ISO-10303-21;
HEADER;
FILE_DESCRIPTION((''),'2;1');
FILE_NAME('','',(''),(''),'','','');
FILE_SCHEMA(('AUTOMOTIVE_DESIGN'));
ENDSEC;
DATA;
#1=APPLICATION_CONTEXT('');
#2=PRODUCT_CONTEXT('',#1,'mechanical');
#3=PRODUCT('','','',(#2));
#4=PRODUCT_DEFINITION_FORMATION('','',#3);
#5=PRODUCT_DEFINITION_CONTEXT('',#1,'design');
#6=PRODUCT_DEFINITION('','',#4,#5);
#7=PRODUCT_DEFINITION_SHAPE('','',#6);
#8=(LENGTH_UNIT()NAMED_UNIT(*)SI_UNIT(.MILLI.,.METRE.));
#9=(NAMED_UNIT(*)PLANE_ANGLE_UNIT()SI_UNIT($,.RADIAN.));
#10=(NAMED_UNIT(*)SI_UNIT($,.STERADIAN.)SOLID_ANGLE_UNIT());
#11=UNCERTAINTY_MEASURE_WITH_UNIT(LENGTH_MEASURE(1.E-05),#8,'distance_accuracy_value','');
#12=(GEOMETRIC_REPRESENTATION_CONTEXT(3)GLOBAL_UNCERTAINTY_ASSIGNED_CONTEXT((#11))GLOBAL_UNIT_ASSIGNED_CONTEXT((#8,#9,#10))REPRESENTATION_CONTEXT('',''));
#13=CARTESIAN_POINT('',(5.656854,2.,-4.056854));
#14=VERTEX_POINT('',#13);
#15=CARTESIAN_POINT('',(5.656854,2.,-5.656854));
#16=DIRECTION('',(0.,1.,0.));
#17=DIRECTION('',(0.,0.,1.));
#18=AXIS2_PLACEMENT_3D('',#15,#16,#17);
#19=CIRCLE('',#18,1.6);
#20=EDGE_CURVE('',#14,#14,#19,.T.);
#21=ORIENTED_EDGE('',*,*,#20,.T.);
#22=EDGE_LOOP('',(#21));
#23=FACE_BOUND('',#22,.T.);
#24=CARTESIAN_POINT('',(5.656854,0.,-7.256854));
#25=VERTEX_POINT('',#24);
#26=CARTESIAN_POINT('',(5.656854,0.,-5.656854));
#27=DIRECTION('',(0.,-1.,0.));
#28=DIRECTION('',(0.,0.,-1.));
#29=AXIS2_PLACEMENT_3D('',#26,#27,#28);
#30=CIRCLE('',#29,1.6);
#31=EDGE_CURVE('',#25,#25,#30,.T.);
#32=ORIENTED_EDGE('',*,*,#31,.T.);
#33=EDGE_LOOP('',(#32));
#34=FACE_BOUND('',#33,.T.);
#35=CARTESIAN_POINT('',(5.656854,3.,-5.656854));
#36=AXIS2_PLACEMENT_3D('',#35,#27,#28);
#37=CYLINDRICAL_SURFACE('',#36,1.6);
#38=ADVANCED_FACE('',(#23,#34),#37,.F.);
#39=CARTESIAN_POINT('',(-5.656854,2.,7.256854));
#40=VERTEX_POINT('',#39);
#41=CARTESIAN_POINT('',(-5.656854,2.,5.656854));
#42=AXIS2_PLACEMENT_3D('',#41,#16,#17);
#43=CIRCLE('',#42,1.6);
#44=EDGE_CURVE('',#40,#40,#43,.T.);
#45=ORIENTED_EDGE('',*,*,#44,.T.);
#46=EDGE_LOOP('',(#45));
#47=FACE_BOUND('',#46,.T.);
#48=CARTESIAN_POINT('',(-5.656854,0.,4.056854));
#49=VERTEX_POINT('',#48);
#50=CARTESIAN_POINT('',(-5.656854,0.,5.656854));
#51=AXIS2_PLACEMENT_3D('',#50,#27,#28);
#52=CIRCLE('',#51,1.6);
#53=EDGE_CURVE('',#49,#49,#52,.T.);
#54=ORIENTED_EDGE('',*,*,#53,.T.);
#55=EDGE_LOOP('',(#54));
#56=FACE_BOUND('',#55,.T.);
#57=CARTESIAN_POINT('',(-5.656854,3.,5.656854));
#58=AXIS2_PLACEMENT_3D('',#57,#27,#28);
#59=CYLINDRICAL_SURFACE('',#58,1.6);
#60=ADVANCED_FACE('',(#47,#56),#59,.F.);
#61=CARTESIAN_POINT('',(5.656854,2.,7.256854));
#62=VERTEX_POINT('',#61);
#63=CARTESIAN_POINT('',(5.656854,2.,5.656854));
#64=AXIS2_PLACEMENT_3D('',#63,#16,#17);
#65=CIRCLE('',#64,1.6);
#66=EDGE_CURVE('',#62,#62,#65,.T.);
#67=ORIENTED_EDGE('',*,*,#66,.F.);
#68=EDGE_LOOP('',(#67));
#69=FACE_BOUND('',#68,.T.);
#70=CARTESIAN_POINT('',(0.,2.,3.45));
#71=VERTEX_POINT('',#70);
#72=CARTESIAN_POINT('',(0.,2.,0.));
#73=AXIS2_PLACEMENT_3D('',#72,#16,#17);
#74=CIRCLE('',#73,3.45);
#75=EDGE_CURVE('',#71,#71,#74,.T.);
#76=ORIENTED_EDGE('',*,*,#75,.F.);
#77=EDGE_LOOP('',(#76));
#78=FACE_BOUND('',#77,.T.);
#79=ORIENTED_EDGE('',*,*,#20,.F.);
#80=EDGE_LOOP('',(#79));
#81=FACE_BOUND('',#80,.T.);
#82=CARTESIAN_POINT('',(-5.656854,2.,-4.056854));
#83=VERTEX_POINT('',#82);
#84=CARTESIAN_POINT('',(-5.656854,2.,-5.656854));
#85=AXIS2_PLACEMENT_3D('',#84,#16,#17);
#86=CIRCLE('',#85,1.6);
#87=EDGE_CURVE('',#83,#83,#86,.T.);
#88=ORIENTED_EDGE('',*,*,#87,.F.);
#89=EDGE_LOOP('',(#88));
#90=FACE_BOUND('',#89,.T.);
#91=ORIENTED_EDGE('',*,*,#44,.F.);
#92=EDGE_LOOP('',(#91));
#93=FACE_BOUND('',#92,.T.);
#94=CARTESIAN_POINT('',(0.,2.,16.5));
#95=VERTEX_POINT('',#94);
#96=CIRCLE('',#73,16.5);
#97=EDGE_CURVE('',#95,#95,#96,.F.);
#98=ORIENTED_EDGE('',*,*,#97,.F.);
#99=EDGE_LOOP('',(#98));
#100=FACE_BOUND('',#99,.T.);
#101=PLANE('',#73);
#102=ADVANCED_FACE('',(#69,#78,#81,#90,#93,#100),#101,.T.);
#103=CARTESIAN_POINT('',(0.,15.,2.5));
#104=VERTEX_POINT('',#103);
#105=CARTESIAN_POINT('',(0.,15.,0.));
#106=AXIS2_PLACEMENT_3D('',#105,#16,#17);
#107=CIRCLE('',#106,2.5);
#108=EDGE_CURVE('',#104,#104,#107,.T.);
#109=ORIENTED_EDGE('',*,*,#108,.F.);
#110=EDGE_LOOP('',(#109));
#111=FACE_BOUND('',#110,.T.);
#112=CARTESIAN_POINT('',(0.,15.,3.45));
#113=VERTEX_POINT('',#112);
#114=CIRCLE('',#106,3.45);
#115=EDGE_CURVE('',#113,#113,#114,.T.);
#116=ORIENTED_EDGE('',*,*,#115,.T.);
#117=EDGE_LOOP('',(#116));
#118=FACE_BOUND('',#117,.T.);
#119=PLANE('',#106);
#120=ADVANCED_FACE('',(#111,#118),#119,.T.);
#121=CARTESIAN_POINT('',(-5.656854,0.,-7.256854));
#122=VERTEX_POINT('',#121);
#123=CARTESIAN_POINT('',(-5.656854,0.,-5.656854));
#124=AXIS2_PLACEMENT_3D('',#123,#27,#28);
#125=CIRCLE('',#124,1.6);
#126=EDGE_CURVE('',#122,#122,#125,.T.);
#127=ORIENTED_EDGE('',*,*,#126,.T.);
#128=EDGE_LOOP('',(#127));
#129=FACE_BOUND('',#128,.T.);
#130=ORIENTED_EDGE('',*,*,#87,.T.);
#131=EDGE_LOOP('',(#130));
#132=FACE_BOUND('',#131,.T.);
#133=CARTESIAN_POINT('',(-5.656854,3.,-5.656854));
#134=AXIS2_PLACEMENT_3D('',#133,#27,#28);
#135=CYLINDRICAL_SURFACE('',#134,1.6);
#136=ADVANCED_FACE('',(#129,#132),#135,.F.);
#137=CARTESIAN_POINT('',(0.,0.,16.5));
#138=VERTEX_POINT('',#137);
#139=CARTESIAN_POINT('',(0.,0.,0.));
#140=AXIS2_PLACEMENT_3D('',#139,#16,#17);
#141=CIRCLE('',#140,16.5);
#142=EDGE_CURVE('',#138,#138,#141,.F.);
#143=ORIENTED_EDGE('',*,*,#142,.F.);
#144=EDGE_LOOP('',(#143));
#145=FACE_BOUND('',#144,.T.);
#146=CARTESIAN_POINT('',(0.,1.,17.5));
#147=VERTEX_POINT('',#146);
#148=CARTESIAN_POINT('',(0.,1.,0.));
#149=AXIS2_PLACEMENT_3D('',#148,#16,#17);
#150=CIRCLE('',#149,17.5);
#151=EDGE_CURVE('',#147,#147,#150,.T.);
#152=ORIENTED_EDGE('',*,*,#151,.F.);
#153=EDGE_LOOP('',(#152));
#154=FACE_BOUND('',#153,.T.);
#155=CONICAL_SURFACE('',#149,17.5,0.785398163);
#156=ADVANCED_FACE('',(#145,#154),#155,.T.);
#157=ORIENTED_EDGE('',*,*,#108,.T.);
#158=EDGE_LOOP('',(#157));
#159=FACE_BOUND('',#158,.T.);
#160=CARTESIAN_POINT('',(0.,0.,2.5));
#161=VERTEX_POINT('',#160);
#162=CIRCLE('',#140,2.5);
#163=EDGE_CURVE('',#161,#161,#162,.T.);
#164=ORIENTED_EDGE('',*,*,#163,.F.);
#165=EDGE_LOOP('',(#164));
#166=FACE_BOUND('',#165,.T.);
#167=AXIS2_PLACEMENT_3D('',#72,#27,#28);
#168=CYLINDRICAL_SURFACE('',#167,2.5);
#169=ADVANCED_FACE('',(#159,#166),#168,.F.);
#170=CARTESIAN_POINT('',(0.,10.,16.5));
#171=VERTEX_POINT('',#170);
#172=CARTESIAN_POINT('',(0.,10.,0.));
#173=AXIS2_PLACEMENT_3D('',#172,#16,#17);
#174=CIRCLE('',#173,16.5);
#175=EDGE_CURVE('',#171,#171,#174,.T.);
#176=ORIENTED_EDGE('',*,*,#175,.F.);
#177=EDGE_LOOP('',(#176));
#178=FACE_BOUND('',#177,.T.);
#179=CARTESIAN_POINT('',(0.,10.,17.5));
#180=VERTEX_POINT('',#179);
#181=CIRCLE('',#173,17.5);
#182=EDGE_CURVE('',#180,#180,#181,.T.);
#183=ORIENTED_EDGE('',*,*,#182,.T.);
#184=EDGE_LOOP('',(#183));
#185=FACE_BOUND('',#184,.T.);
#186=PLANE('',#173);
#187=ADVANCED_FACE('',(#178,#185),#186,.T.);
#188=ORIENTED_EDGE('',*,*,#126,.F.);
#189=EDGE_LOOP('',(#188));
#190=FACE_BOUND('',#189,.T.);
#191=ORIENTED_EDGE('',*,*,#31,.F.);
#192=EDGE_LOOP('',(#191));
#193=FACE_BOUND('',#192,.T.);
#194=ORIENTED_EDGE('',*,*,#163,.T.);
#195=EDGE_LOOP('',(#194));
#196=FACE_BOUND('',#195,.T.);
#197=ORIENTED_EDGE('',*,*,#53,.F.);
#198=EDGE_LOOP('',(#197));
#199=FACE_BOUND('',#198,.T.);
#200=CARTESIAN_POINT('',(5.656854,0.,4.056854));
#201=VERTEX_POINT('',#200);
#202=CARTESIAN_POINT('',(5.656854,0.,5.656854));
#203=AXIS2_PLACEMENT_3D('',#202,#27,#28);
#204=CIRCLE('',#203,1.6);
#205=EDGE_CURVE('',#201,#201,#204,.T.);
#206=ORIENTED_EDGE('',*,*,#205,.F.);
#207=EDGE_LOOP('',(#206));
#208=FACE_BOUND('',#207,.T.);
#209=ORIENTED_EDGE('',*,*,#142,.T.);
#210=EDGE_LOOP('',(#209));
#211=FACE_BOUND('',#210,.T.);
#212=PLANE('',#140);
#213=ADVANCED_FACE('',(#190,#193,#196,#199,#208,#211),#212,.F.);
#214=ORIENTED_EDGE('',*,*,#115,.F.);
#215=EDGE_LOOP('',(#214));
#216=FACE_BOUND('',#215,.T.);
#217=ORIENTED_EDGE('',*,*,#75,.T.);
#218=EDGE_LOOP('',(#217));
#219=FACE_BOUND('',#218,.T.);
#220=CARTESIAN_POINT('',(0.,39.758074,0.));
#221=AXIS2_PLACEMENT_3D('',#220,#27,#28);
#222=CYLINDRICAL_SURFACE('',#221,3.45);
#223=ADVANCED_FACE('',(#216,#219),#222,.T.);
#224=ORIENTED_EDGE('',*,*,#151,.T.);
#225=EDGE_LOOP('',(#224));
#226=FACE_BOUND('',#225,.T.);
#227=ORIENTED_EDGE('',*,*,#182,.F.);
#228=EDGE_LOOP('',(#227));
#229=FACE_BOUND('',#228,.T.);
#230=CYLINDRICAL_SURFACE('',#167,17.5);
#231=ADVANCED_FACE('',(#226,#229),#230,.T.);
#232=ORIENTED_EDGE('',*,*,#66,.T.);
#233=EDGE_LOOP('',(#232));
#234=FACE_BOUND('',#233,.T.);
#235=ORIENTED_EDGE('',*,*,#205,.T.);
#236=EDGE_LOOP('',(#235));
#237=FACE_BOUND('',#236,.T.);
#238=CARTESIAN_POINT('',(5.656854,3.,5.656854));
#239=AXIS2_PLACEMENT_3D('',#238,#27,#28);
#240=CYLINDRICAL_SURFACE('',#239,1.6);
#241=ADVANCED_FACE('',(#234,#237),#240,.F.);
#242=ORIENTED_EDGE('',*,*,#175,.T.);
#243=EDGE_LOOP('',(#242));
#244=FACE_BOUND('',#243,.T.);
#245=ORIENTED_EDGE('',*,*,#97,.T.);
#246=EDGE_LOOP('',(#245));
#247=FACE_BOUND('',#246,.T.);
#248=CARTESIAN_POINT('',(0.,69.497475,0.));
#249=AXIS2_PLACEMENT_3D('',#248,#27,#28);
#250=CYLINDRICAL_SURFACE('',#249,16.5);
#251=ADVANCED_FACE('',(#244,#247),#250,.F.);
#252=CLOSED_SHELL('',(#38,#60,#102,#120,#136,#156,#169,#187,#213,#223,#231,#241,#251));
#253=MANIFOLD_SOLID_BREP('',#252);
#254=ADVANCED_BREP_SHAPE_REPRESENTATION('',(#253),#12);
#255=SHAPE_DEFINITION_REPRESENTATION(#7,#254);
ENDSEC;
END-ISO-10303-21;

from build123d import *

# Parameters (mm, degrees)
SKETCH1_R          = 17.5
SKETCH1_R_2        = 2.5
BODY_DEPTH         = 2
SKETCH4_R          = 3.45
SKETCH4_R_2        = 2.5
SHAFT_DEPTH        = 13
SKETCH5_R          = 17.5
SKETCH5_R_2        = 16.5
BORDER_DEPTH       = 8
SKETCH3_R          = 1.6
SCREW_HOLES_DEPTH  = 3
SCREW_CHAMFER_SIZE = 1


with BuildPart() as part:
    # Sketch1 → Body (new body)
    with BuildSketch(Plane(origin=(0, 0, 0), x_dir=(1, 0, 0), z_dir=(0, 1, 0))):
        with Locations(Location((0, 0, 0), (0, 0, 270))):
            Circle(SKETCH1_R)
        with Locations(Location((0, 0, 0), (0, 0, 270))):
            Circle(SKETCH1_R_2, mode=Mode.SUBTRACT)
    extrude(amount=BODY_DEPTH)

    # Sketch4 → Shaft (add)
    with BuildSketch(Plane(origin=(0, 2, 0), x_dir=(1, 0, 0), z_dir=(0, 1, 0))):
        with Locations(Location((0, 0, 0), (0, 0, 270))):
            Circle(SKETCH4_R)
        with Locations(Location((0, 0, 0), (0, 0, 270))):
            Circle(SKETCH4_R_2, mode=Mode.SUBTRACT)
    extrude(amount=SHAFT_DEPTH)

    # Sketch5 → Border (add)
    with BuildSketch(Plane(origin=(0, 2, 0), x_dir=(1, 0, 0), z_dir=(0, 1, 0))):
        with Locations(Location((0, 0, 0), (0, 0, 270))):
            Circle(SKETCH5_R)
        with Locations(Location((0, 0, 0), (0, 0, 270))):
            Circle(SKETCH5_R_2, mode=Mode.SUBTRACT)
    extrude(amount=BORDER_DEPTH)

    # Sketch3 → Screw holes (cut)
    with BuildSketch(Plane(origin=(0, 0, 0), x_dir=(-1, 0, 0), z_dir=(0, -1, 0))):
        with Locations(Location((5.656854249, 5.656854249, 0), (0, 0, 90))):
            Circle(SKETCH3_R)
        with Locations(Location((5.656854249, -5.656854249, 0), (0, 0, 90))):
            Circle(SKETCH3_R)
        with Locations(Location((-5.656854249, -5.656854249, 0), (0, 0, 90))):
            Circle(SKETCH3_R)
        with Locations(Location((-5.656854249, 5.656854249, 0), (0, 0, 90))):
            Circle(SKETCH3_R)
    extrude(amount=-SCREW_HOLES_DEPTH, mode=Mode.SUBTRACT)

    # Screw chamfer
    screw_chamfer_edges = [part.edges().sort_by_distance(p)[0] for p in [
        (0, 0, -17.5),
    ]]
    chamfer(screw_chamfer_edges, length=SCREW_CHAMFER_SIZE)


solid = part.part
